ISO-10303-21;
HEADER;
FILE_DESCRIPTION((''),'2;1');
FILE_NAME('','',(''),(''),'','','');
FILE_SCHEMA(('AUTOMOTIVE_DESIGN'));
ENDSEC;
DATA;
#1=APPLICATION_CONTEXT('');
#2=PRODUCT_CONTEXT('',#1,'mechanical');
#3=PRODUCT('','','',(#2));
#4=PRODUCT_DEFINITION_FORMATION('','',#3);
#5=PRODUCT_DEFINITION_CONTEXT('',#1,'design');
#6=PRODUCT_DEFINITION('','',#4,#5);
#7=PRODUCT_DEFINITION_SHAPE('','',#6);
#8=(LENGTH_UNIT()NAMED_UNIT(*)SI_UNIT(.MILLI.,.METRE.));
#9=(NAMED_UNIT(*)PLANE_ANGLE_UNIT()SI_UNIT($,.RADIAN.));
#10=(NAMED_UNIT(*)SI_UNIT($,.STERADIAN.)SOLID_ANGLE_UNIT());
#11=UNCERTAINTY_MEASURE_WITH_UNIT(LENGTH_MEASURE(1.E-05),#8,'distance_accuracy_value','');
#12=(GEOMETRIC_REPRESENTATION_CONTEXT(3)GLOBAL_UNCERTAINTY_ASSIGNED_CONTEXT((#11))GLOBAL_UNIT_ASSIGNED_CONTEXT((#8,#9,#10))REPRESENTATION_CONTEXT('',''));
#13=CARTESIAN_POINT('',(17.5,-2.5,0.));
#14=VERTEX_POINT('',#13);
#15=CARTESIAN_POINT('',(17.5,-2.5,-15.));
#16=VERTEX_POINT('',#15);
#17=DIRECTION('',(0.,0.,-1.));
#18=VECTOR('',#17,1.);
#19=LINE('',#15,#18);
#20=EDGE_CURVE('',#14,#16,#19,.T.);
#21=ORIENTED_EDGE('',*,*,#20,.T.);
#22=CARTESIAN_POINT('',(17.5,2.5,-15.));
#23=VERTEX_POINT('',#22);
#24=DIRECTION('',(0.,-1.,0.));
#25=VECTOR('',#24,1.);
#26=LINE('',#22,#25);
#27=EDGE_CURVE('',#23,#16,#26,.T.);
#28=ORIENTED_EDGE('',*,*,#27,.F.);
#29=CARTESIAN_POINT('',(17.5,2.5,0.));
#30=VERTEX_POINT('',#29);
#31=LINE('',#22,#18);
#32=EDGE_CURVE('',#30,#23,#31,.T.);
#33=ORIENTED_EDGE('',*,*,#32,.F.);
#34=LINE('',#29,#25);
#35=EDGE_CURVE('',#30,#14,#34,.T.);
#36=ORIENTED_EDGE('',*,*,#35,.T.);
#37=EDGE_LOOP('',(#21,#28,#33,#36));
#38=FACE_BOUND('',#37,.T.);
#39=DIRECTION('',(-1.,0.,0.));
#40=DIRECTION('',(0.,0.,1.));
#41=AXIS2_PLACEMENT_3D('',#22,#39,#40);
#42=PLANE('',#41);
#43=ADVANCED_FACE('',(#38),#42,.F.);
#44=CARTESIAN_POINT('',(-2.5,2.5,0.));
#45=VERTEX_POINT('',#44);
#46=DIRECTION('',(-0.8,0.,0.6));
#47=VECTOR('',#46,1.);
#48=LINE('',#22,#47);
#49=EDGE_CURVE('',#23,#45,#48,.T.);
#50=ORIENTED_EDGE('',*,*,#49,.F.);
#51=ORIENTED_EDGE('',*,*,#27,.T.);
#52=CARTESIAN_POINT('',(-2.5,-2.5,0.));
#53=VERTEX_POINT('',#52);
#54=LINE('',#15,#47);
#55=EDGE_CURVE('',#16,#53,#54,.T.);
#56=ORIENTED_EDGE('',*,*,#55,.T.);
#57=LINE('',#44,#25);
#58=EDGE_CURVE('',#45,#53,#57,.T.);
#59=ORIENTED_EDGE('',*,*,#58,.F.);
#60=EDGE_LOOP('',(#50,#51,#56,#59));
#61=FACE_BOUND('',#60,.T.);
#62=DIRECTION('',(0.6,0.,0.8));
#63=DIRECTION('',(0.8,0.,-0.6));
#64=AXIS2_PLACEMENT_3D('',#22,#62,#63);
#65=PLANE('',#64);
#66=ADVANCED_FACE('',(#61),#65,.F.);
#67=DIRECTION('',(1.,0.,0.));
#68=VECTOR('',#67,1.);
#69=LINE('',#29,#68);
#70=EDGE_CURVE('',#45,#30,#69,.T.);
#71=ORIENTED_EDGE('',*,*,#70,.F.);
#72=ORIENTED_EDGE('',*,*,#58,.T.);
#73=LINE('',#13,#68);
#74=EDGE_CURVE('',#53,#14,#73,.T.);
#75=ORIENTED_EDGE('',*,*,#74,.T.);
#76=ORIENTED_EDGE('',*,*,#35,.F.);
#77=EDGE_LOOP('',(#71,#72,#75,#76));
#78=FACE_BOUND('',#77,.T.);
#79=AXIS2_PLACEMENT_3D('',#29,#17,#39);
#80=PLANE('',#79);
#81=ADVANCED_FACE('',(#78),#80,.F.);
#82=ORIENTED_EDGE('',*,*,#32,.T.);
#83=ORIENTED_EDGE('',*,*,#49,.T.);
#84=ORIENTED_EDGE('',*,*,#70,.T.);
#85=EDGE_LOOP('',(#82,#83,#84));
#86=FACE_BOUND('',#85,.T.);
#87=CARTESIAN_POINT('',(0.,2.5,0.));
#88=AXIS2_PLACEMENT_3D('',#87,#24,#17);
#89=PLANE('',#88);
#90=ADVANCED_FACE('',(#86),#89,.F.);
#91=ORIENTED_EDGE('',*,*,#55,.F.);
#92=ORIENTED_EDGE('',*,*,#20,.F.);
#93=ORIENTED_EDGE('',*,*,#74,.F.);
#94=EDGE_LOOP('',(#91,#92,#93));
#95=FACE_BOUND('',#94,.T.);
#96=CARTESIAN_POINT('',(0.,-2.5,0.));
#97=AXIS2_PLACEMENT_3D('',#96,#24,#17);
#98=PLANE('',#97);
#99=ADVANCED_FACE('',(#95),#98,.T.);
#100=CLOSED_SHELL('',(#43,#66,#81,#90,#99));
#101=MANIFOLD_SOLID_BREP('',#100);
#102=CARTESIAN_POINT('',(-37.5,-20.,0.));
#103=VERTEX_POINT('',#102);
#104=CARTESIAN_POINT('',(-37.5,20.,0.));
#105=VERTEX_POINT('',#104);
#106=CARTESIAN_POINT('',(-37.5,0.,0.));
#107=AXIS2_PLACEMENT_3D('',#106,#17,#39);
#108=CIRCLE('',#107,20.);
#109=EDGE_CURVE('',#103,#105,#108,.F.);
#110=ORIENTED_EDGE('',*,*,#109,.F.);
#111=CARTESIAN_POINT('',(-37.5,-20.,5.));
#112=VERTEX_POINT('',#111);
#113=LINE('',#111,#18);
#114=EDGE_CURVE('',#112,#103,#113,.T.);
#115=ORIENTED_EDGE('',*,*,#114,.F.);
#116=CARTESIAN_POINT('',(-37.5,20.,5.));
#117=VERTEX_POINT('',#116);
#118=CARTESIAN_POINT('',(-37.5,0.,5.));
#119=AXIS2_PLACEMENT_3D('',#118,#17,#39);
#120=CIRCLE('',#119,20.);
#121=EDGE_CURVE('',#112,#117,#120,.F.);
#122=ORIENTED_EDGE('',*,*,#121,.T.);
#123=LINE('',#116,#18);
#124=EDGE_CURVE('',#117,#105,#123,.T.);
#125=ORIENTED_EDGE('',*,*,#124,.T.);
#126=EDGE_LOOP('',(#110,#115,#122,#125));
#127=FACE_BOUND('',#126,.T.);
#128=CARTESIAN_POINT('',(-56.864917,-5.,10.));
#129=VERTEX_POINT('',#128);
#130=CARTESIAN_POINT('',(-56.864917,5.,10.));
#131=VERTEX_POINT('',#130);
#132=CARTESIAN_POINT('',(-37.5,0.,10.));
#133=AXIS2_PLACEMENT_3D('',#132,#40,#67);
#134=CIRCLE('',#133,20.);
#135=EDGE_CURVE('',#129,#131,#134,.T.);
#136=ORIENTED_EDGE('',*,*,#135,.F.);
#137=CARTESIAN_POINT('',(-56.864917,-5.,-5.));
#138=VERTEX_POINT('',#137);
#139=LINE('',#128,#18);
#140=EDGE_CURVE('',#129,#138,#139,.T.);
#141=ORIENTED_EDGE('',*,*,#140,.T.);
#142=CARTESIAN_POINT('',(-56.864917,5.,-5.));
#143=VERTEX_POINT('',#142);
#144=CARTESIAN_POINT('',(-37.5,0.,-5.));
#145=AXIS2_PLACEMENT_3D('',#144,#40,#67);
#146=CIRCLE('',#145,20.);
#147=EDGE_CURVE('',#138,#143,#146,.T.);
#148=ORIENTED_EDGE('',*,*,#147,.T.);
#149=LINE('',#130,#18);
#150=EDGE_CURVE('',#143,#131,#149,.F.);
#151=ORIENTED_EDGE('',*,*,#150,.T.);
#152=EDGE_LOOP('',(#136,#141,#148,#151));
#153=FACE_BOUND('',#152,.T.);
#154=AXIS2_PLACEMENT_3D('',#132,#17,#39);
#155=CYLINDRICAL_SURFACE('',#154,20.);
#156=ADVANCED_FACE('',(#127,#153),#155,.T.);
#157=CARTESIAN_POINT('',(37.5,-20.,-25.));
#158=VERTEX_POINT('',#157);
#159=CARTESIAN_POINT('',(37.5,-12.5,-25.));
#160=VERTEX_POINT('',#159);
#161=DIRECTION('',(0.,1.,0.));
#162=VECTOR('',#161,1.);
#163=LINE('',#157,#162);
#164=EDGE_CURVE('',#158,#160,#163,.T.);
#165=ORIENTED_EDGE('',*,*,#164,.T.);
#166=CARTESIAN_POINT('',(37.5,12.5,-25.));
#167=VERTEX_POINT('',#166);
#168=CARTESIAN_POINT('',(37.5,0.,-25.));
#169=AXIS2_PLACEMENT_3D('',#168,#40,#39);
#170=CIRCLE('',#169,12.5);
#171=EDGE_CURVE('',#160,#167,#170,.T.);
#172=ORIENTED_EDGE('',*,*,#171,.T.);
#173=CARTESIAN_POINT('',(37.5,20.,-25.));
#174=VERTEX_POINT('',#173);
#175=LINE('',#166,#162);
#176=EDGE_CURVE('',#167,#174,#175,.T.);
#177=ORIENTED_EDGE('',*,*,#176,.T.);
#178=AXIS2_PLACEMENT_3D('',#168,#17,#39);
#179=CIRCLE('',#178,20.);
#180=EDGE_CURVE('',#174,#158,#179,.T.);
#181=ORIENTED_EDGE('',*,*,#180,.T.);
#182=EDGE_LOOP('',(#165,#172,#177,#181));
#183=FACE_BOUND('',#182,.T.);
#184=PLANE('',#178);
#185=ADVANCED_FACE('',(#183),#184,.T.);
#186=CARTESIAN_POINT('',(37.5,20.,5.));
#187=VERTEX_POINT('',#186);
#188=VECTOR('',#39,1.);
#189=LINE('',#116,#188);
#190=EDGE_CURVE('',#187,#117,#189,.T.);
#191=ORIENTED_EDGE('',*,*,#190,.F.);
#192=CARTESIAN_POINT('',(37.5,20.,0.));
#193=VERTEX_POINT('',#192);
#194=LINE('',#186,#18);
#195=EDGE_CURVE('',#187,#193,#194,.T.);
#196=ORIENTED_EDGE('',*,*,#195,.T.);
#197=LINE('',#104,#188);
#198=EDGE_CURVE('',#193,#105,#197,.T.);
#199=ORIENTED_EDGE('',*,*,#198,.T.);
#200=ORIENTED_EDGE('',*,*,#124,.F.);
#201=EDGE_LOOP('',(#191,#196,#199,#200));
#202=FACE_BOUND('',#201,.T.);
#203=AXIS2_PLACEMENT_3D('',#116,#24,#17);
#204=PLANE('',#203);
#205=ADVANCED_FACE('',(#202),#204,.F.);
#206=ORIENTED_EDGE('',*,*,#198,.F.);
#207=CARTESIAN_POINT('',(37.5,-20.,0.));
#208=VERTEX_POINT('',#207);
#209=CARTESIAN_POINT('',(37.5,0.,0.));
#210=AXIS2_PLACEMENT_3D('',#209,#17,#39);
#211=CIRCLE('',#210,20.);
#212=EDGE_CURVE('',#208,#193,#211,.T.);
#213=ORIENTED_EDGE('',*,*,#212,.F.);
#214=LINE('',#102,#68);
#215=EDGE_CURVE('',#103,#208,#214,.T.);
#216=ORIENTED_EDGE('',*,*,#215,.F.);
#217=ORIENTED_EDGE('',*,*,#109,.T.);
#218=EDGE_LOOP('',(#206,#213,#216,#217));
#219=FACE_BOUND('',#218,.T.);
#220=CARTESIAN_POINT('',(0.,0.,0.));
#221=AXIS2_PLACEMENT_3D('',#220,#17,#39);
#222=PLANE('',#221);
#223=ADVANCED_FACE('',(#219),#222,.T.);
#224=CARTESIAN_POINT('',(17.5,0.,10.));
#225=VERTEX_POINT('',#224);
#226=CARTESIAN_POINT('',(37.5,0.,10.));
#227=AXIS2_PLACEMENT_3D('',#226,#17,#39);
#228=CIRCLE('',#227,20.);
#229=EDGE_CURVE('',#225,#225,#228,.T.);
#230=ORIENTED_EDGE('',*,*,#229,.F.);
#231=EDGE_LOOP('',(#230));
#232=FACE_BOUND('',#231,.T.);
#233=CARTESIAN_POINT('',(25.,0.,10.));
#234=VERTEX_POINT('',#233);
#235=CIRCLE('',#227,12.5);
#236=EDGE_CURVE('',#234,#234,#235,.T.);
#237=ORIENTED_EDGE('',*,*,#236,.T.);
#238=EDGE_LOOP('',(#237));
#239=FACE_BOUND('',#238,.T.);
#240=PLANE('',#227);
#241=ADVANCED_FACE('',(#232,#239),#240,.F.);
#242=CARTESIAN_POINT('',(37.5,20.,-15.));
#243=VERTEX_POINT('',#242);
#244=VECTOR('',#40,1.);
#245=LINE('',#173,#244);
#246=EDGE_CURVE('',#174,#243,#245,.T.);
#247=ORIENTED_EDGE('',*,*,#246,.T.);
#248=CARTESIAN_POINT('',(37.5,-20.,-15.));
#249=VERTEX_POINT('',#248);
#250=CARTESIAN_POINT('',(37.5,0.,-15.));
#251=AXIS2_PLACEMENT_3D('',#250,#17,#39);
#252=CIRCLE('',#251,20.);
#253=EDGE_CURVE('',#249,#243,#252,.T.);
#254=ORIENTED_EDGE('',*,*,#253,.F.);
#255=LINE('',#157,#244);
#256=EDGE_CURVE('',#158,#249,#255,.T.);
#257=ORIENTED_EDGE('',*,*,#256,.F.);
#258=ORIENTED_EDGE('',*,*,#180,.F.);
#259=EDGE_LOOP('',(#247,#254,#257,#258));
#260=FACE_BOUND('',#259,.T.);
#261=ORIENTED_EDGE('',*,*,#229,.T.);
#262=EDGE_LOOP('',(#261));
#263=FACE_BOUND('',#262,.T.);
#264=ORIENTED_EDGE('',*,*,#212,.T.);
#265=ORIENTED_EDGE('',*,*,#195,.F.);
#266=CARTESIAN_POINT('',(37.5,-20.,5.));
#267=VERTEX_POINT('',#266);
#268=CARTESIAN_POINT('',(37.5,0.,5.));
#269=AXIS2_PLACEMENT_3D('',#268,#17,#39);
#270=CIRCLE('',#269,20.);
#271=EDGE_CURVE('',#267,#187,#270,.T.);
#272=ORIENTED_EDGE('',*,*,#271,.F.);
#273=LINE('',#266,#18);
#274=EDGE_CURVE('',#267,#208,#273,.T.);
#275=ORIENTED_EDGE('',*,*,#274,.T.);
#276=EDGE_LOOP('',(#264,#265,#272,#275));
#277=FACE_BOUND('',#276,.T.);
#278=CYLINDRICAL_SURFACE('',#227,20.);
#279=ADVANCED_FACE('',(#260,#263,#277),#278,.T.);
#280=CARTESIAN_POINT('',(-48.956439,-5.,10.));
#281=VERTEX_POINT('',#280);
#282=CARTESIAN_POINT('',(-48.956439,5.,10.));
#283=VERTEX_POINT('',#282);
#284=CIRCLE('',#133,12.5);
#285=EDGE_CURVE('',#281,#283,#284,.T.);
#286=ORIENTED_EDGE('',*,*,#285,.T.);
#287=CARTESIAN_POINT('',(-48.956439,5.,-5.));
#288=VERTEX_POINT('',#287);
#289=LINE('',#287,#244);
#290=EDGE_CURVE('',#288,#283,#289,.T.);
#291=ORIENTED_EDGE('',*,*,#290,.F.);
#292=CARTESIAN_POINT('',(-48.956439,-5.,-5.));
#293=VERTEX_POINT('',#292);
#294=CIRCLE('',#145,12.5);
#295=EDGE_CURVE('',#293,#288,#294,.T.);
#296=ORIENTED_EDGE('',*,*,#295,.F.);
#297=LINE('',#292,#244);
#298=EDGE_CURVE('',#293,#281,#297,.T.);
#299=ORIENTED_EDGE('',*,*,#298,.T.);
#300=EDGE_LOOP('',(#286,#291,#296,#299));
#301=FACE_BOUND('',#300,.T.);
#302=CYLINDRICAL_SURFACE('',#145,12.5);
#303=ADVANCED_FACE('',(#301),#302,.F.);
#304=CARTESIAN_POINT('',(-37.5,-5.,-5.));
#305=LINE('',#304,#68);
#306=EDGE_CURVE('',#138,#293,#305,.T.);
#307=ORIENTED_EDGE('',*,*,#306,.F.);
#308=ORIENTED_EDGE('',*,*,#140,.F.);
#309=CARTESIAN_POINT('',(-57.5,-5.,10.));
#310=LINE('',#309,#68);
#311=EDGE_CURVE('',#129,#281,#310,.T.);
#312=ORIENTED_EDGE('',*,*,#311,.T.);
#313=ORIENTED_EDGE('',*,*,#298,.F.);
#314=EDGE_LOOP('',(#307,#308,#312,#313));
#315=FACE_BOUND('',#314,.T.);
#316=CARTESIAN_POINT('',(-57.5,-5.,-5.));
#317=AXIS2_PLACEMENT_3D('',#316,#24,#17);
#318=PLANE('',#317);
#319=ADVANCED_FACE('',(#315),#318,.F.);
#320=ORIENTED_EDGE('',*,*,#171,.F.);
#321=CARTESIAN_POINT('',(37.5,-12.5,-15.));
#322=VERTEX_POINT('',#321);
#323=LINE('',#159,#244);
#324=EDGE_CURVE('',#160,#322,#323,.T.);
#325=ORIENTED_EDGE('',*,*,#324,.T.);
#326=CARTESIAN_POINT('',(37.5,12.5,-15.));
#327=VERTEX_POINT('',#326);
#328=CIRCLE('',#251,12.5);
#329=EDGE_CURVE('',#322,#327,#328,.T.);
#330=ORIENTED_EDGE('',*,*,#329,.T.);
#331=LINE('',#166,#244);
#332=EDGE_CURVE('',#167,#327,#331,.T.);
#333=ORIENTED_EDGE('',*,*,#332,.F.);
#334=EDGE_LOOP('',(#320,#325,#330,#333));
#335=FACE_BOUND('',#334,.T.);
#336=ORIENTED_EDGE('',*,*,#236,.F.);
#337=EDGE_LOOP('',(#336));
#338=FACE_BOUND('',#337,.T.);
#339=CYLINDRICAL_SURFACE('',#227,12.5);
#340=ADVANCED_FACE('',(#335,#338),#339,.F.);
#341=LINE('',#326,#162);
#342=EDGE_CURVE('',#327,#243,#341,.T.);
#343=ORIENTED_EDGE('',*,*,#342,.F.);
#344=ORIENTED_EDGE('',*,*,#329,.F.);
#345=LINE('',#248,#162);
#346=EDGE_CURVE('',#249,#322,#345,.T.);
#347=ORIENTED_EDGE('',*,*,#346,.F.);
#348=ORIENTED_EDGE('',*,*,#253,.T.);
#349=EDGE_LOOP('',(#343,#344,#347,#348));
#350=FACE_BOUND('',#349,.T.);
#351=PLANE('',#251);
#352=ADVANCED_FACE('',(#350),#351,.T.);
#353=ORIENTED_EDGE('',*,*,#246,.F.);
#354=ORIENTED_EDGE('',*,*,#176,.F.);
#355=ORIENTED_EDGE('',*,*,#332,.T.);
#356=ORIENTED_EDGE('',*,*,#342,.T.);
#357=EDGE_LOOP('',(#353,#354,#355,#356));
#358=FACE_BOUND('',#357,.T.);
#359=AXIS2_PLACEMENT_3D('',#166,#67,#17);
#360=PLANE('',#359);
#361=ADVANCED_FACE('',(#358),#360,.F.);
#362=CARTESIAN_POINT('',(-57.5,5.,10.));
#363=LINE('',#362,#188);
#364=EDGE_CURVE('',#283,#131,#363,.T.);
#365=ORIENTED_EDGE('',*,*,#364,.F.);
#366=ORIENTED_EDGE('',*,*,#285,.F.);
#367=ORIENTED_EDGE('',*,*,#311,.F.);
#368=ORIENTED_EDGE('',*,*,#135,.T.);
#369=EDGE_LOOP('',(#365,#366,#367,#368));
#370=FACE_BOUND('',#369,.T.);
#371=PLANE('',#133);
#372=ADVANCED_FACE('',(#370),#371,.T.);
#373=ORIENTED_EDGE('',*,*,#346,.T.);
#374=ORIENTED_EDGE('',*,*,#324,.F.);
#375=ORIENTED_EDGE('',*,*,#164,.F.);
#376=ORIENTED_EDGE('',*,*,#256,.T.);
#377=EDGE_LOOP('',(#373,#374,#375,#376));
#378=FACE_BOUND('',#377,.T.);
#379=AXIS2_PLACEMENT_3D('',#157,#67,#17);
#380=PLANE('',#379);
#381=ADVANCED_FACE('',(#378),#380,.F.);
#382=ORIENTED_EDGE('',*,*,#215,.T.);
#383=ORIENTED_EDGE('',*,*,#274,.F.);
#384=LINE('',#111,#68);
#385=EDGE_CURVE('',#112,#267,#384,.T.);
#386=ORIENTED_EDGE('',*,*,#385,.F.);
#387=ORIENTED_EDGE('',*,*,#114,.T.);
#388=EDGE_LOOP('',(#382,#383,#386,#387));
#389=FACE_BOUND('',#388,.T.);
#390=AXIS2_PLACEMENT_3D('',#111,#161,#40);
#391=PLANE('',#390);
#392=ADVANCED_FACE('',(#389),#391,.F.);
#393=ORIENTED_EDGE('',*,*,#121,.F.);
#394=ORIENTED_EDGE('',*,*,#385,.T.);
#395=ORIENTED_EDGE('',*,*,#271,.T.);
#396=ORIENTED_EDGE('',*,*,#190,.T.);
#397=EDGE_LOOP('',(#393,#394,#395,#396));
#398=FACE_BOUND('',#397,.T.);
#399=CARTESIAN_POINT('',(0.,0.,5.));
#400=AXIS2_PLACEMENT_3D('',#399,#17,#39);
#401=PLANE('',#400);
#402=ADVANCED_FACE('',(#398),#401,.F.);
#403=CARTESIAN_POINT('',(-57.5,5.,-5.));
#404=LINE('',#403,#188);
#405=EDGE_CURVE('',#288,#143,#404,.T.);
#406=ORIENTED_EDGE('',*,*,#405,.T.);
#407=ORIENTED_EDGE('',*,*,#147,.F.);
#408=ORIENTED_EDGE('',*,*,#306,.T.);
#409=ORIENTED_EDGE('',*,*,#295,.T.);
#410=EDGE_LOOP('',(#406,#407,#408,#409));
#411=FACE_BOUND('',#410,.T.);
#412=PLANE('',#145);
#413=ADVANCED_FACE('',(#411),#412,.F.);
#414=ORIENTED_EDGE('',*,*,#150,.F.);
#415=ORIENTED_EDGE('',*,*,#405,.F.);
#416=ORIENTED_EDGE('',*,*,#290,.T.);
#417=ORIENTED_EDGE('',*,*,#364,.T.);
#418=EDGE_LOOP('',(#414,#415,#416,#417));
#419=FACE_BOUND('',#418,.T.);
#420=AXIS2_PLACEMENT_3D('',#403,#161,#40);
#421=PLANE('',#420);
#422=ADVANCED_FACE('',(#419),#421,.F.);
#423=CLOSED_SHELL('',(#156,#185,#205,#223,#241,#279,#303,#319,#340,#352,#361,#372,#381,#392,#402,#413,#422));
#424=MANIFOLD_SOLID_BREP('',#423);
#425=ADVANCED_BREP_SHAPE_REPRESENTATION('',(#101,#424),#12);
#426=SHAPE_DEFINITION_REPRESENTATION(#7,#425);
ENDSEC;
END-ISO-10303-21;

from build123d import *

# Parameters (mm, degrees)
SKETCH1_W                = 75
SKETCH1_H                = 40
BOSS_EXTRUDE1_DEPTH      = 5
BOSS_EXTRUDE2_DEPTH      = 5
BOSS_EXTRUDE2_DEPTH_BACK = 10
SKETCH4_R                = 20
CUT_EXTRUDE4_DEPTH       = 15
BOSS_EXTRUDE3_DEPTH      = 15
BOSS_EXTRUDE3_DEPTH_BACK = 10
SKETCH8_R                = 20
SKETCH9_R                = 12.5
CUT_EXTRUDE5_DEPTH       = 25
BOSS_EXTRUDE4_START      = 10
BOSS_EXTRUDE4_DEPTH      = 10
BOSS_EXTRUDE5_DEPTH      = 2.5


with BuildPart() as part:
    # Sketch1 → Boss-Extrude1 (new body)
    with BuildSketch(Plane.XY):
        Rectangle(SKETCH1_W, SKETCH1_H)
    extrude(amount=BOSS_EXTRUDE1_DEPTH)

    # Sketch4 → Boss-Extrude2 (add, two sides: drawn at the far end of the back side and taken through both)
    with BuildSketch(Plane.XY.offset(5).offset(-BOSS_EXTRUDE2_DEPTH_BACK)):
        with Locations((-37.5, 0)):
            Circle(SKETCH4_R)
    extrude(amount=BOSS_EXTRUDE2_DEPTH + BOSS_EXTRUDE2_DEPTH_BACK)

    # Sketch6 → Cut-Extrude4 (cut)
    with BuildSketch(Plane.XY.offset(10)):
        with BuildLine():
            Line((-57.5, -5), (-57.5, 5))
            Line((-57.5, 5), (-48.956439237, 5))
            ThreePointArc((-48.956439237, 5), (-25, 0), (-48.956439237, -5))
            Line((-48.956439237, -5), (-57.5, -5))
        make_face()
    extrude(amount=-CUT_EXTRUDE4_DEPTH, mode=Mode.SUBTRACT)

    # Sketch8 → Boss-Extrude3 (add, two sides: drawn at the far end of the back side and taken through both)
    with BuildSketch(Plane(origin=(0, 0, 0), x_dir=(-1, 0, 0), z_dir=(0, 0, -1)).offset(-BOSS_EXTRUDE3_DEPTH_BACK)):
        with Locations((-37.5, 0)):
            Circle(SKETCH8_R)
    extrude(amount=BOSS_EXTRUDE3_DEPTH + BOSS_EXTRUDE3_DEPTH_BACK)

    # Sketch9 → Cut-Extrude5 (cut)
    with BuildSketch(Plane(origin=(0, 0, -15), x_dir=(-1, 0, 0), z_dir=(0, 0, -1))):
        with Locations((-37.5, 0)):
            Circle(SKETCH9_R)
    extrude(amount=-CUT_EXTRUDE5_DEPTH, mode=Mode.SUBTRACT)

    # Sketch10 → Boss-Extrude4 (add)
    with BuildSketch(Plane(origin=(0, 0, -15), x_dir=(-1, 0, 0), z_dir=(0, 0, -1)).offset(BOSS_EXTRUDE4_START)):
        with BuildLine():
            Line((-37.5, -20), (-37.5, -12.5))
            ThreePointArc((-37.5, -12.5), (-50, 0), (-37.5, 12.5))
            Line((-37.5, 12.5), (-37.5, 20))
            ThreePointArc((-37.5, 20), (-57.5, 0), (-37.5, -20))
        make_face()
    extrude(amount=-BOSS_EXTRUDE4_DEPTH)


with BuildPart() as body_2:
    # Sketch11 → Boss-Extrude5 (new, symmetric)
    with BuildSketch(Plane(origin=(0, 0, 0), x_dir=(1, 0, 0), z_dir=(0, 1, 0))):
        Polygon((17.5, 15), (-2.5, 0), (17.5, 0), align=None)
    extrude(amount=BOSS_EXTRUDE5_DEPTH, both=True)


solid = Compound([part.part, body_2.part])
